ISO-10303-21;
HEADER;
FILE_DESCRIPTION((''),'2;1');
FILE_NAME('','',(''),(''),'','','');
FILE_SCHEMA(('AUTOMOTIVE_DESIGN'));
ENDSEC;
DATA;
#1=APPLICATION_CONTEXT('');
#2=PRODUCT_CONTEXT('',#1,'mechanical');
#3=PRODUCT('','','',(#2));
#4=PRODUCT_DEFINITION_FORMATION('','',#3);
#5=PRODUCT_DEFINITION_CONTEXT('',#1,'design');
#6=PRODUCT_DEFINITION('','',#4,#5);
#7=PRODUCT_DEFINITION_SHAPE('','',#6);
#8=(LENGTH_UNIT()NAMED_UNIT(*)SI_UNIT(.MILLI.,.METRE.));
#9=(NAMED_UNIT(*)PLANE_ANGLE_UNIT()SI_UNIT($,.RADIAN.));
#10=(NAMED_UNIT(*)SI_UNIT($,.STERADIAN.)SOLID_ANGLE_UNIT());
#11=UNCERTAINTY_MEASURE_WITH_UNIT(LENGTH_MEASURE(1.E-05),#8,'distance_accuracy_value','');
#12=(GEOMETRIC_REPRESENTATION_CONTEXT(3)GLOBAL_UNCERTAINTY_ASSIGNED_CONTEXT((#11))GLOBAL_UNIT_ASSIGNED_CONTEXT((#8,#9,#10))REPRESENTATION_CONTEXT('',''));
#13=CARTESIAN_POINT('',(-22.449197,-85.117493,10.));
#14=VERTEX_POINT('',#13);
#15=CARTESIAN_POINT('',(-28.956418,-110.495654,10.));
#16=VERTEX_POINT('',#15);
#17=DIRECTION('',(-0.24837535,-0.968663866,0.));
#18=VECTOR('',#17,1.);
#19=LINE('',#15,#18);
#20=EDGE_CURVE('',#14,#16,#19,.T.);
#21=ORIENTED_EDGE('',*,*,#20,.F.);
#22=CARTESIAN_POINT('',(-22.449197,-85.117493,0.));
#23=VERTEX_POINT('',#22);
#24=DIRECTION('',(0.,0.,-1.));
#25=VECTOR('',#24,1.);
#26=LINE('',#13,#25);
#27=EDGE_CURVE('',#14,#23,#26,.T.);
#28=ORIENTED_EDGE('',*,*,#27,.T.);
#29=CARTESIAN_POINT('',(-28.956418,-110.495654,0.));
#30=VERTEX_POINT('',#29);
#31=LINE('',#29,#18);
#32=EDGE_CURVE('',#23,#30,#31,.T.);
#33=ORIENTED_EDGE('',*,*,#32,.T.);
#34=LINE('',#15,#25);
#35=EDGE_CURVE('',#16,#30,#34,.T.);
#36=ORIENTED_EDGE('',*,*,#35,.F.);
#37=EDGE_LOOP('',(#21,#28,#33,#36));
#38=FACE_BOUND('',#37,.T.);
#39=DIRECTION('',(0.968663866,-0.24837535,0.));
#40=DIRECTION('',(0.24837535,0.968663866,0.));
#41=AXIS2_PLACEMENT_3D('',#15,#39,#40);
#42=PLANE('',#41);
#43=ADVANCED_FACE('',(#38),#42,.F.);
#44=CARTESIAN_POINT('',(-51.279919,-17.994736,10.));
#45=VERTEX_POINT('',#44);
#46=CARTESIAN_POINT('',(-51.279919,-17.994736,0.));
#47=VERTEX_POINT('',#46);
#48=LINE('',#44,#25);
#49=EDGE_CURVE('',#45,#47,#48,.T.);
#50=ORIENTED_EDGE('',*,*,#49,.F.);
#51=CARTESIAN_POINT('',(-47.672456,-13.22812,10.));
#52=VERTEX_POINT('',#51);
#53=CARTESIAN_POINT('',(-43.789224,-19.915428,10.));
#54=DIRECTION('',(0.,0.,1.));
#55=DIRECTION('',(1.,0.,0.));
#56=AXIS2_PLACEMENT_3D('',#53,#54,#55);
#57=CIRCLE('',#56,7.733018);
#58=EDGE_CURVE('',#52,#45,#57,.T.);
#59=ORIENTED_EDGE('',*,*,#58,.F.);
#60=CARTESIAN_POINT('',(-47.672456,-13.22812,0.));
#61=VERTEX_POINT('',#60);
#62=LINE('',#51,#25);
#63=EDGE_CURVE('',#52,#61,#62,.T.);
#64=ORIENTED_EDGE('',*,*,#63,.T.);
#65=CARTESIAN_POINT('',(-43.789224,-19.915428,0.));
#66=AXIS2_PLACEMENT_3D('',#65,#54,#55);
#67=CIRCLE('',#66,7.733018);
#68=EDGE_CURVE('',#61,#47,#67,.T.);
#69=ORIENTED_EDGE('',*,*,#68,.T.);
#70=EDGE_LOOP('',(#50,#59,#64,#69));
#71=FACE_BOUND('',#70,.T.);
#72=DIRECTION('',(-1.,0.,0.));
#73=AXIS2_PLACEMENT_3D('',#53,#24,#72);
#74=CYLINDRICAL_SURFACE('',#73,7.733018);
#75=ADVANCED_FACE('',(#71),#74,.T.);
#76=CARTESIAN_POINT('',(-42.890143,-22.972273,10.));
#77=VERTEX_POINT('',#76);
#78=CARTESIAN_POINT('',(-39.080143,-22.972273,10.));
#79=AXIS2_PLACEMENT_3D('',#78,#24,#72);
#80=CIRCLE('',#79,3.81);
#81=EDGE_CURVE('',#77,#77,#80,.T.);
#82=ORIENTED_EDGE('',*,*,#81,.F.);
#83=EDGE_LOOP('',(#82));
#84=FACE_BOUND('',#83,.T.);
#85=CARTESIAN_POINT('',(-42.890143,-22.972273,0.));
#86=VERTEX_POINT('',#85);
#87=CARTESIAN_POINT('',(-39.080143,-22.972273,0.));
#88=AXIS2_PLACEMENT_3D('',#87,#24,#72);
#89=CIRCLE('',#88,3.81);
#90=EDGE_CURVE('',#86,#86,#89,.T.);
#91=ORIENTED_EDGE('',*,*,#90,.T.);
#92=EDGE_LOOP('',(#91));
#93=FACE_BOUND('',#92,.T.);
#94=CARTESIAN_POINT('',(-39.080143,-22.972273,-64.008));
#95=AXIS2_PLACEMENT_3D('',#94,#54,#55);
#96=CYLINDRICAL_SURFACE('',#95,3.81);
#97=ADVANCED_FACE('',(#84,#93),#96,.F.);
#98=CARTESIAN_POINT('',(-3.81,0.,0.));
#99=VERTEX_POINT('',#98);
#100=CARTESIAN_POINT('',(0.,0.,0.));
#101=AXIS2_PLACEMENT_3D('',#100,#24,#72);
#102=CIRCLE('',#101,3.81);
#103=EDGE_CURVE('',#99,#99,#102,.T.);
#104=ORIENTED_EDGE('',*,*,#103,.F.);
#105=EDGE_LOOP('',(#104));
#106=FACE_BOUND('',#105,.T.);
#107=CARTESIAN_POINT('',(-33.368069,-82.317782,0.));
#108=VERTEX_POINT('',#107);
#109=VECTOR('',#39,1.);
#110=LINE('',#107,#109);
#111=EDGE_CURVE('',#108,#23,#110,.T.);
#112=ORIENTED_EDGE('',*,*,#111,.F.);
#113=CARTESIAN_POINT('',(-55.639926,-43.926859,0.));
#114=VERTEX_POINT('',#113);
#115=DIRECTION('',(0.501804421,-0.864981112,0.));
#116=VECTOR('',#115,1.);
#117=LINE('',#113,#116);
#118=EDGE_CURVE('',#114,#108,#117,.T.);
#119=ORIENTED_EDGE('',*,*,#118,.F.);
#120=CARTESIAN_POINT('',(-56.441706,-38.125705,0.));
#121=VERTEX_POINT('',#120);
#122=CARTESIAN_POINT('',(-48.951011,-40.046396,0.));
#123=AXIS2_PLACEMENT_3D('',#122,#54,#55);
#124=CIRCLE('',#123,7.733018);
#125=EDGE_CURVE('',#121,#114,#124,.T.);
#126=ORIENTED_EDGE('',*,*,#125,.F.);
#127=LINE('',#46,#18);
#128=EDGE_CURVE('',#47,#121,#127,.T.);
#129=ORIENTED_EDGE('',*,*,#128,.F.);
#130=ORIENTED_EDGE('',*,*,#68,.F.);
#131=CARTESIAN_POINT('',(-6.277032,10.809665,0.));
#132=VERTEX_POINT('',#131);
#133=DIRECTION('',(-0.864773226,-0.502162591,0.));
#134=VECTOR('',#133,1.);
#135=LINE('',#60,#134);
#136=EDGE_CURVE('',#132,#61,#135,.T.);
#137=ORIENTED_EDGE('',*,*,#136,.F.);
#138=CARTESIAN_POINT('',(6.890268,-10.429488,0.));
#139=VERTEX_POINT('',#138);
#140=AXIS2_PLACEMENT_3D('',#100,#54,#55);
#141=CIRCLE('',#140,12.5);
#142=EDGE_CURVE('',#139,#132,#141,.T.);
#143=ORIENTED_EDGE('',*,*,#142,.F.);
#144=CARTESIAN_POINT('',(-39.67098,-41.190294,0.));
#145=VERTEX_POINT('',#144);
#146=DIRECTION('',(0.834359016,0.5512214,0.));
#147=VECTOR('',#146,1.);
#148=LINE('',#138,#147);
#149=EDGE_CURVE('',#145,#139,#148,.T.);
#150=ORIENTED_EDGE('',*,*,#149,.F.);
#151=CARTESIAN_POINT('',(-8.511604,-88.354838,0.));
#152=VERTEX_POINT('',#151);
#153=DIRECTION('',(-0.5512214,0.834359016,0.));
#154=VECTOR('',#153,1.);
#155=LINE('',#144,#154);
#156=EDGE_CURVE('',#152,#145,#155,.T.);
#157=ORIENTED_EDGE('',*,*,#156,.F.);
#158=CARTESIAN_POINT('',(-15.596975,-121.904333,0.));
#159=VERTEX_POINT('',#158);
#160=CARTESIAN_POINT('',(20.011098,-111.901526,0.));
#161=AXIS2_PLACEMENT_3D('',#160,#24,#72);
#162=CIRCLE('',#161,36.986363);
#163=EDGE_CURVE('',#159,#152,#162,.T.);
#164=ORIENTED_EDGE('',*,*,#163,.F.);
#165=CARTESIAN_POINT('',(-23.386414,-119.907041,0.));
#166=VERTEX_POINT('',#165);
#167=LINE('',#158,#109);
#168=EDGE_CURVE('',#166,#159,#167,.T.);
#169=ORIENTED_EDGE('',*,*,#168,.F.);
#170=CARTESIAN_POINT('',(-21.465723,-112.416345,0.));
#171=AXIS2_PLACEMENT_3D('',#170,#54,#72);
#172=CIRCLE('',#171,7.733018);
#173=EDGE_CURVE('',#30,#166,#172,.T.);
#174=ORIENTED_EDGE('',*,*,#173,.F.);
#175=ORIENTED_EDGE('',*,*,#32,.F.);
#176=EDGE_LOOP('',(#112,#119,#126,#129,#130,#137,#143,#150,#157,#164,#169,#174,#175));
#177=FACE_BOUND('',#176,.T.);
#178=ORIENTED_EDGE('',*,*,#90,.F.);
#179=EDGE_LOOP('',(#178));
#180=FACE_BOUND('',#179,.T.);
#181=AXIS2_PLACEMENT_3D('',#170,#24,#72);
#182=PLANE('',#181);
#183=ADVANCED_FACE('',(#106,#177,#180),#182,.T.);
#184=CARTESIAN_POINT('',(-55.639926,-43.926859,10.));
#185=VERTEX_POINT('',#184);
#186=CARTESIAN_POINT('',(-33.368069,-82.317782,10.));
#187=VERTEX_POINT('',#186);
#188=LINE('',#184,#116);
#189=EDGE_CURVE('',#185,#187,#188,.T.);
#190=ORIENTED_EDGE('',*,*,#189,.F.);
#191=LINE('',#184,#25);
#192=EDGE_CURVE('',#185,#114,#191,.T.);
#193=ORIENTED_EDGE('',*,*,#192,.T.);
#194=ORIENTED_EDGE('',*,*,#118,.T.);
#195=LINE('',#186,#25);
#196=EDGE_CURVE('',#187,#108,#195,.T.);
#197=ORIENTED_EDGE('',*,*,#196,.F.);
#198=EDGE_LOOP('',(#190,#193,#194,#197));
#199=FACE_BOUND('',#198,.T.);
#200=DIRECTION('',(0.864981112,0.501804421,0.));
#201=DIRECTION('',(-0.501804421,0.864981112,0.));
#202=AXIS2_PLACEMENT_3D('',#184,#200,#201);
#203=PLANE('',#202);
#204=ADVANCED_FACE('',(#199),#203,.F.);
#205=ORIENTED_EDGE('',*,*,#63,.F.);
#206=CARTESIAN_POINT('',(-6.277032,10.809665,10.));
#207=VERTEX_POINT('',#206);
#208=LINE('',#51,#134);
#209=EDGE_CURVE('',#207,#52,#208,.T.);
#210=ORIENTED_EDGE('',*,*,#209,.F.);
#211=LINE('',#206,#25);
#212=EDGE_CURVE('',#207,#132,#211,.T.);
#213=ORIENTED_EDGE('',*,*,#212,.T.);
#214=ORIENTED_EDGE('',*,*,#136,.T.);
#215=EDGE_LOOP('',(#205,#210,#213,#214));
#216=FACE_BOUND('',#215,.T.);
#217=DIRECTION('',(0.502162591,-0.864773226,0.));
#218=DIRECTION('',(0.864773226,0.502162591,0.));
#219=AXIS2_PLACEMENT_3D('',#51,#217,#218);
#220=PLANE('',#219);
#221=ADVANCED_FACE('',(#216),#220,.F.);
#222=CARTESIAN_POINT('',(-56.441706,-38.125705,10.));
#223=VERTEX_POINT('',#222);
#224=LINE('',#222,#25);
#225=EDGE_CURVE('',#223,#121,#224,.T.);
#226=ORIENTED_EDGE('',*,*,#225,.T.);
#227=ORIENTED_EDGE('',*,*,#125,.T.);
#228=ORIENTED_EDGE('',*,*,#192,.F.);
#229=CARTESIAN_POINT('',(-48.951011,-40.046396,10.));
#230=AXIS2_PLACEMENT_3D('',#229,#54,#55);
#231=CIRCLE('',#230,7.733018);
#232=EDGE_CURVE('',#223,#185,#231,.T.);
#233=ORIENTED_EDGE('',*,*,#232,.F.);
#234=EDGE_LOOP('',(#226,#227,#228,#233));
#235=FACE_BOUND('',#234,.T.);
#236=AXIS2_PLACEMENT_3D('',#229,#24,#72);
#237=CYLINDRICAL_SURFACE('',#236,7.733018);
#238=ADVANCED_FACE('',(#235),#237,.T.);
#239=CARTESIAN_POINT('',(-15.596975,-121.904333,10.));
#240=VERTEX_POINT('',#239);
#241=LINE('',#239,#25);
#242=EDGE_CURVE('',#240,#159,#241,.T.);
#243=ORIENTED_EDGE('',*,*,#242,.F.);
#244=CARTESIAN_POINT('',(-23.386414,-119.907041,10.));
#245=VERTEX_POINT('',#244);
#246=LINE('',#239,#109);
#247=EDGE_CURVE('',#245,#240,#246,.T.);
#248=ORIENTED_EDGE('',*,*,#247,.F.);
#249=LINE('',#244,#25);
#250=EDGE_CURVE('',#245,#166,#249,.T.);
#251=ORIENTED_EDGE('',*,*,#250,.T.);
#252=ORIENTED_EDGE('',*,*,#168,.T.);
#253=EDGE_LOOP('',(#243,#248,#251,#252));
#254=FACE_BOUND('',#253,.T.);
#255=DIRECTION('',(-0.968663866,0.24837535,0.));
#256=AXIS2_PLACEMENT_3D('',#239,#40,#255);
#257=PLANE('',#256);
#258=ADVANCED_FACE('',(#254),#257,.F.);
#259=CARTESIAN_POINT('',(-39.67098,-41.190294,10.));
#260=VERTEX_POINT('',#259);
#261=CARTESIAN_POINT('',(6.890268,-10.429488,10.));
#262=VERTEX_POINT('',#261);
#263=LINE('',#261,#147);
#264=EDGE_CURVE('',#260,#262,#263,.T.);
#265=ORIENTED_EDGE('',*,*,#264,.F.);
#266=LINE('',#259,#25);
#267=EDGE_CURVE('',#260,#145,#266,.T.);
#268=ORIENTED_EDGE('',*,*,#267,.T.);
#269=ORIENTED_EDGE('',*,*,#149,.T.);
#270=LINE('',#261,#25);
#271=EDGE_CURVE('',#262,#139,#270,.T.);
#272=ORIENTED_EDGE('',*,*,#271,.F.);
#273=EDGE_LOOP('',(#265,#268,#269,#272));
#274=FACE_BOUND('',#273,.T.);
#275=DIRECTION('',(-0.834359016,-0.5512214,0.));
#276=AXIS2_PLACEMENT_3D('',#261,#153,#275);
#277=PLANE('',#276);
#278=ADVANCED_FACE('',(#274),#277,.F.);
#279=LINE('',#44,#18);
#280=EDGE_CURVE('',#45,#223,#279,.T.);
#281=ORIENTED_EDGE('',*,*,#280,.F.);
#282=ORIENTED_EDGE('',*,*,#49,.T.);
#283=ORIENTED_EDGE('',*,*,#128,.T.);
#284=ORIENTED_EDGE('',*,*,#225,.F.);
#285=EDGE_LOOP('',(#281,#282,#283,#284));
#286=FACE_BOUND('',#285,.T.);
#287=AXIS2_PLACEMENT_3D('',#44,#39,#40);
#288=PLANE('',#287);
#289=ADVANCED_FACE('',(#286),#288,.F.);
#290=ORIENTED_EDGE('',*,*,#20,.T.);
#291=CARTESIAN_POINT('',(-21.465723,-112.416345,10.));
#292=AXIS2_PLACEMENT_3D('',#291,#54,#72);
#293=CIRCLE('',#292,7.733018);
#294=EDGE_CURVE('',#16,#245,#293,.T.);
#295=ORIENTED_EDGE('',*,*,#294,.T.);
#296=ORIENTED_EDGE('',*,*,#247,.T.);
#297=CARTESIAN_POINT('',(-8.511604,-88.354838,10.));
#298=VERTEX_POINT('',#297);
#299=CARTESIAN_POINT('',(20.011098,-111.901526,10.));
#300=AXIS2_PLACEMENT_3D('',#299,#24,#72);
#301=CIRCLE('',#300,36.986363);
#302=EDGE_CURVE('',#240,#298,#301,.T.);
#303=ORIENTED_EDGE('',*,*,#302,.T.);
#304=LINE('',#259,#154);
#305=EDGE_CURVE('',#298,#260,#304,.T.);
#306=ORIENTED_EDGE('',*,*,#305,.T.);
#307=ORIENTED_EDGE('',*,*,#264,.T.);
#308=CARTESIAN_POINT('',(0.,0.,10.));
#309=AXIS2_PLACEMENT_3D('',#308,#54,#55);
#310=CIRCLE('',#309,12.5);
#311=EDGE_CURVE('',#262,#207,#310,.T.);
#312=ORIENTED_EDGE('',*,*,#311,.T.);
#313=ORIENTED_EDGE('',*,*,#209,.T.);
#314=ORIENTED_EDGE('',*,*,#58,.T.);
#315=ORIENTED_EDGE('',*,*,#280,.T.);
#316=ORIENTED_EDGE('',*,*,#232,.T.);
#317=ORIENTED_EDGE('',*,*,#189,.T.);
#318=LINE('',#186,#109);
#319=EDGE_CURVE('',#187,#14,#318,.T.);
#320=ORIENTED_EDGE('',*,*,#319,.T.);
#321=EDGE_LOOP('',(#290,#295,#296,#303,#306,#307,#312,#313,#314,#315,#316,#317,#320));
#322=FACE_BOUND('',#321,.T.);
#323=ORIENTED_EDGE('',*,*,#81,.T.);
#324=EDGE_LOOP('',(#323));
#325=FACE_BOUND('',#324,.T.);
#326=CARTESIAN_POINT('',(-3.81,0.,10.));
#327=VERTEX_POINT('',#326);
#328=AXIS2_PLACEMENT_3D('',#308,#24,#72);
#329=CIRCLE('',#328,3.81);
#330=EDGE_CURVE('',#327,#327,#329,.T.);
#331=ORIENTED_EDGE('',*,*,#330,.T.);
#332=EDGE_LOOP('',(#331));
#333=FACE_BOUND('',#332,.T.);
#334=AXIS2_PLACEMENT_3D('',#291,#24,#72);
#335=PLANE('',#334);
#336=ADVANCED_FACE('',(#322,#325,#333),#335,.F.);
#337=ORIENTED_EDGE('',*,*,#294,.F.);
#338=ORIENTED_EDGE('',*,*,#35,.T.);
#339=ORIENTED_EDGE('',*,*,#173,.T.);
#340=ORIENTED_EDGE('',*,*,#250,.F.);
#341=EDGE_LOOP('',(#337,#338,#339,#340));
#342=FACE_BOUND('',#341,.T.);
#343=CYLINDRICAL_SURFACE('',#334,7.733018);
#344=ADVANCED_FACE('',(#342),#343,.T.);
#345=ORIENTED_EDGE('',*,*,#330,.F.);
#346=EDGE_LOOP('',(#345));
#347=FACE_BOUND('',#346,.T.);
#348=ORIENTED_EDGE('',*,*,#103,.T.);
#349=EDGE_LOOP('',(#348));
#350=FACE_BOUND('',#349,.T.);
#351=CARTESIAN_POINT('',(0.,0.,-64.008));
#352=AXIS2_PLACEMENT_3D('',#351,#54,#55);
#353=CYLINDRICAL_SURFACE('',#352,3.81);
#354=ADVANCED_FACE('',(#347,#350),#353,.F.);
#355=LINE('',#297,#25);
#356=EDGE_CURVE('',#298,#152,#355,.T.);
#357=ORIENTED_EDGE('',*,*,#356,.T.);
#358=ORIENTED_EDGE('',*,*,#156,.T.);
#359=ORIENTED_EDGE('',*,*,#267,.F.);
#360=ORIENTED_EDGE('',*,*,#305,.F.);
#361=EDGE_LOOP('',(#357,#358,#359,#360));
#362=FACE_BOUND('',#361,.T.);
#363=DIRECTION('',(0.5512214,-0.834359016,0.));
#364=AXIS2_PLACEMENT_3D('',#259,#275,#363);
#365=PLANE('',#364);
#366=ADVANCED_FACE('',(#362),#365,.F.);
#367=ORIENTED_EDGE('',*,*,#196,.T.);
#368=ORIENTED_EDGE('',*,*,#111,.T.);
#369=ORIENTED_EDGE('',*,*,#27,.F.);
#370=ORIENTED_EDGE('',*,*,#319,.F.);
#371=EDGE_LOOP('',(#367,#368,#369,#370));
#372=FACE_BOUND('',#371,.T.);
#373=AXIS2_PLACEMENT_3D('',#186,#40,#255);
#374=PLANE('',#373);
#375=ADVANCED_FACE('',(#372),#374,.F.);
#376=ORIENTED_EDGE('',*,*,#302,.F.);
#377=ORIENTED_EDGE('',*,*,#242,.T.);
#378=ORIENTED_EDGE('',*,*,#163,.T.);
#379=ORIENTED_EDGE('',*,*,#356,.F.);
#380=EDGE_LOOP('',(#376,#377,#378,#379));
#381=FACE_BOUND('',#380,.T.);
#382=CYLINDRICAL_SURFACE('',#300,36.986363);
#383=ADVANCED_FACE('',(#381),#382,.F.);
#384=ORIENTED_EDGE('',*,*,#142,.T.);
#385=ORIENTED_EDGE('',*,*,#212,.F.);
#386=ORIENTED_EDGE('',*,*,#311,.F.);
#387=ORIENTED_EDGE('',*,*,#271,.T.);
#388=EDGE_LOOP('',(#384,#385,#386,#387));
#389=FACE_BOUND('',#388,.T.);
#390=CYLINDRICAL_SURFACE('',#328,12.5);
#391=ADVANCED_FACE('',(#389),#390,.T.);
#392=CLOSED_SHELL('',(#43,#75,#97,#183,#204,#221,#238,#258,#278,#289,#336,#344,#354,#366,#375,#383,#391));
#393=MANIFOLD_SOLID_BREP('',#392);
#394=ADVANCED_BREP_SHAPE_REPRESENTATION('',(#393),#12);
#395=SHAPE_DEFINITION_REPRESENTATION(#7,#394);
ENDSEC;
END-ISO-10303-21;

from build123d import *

# Parameters (mm, degrees)
SALIENTE_EXTRUIR1_DEPTH    = 10
CROQUIS4_R                 = 3.81
CORTAR_EXTRUIR1_DEPTH      = 61.468
CORTAR_EXTRUIR1_DEPTH_BACK = 64.008


with BuildPart() as part:
    # Croquis2 → Saliente-Extruir1 (new body)
    with BuildSketch(Plane.XY):
        with BuildLine():
            Line((-51.279919423, -17.994736431), (-56.441706153, -38.125704677))
            ThreePointArc((-56.441706153, -38.125704677), (-56.611211976, -41.10511644), (-55.639925501, -43.92685868))
            Line((-55.639925501, -43.92685868), (-33.368069091, -82.317782173))
            Line((-33.368069091, -82.317782173), (-22.449197371, -85.11749287))
            Line((-22.449197371, -85.11749287), (-28.956418222, -110.495654186))
            ThreePointArc((-28.956418222, -110.495654186), (-28.120578041, -116.354933217), (-23.386413845, -119.907040892))
            Line((-23.386413845, -119.907040892), (-15.596975427, -121.904332794))
            ThreePointArc((-15.596975427, -121.904332794), (-16.177038504, -104.258895505), (-8.511603611, -88.354838218))
            Line((-8.511603611, -88.354838218), (-39.670979585, -41.190293696))
            Line((-39.670979585, -41.190293696), (6.890267505, -10.429487701))
            ThreePointArc((6.890267505, -10.429487701), (10.624002053, 6.586393579), (-6.277032388, 10.809665323))
            Line((-6.277032388, 10.809665323), (-47.67245646, -13.22812029))
            ThreePointArc((-47.67245646, -13.22812029), (-49.955399161, -15.248752476), (-51.279919423, -17.994736431))
        make_face()
    extrude(amount=SALIENTE_EXTRUIR1_DEPTH)

    # Croquis4 → Cortar-Extruir1 (cut, two sides)
    with BuildSketch(Plane.XY) as cortar_extruir1_sk:
        Circle(CROQUIS4_R)
        with Locations((-39.080143485, -22.972272641)):
            Circle(CROQUIS4_R)
    extrude(amount=CORTAR_EXTRUIR1_DEPTH, mode=Mode.SUBTRACT)
    extrude(cortar_extruir1_sk.sketch, amount=-CORTAR_EXTRUIR1_DEPTH_BACK, mode=Mode.SUBTRACT)


solid = part.part
